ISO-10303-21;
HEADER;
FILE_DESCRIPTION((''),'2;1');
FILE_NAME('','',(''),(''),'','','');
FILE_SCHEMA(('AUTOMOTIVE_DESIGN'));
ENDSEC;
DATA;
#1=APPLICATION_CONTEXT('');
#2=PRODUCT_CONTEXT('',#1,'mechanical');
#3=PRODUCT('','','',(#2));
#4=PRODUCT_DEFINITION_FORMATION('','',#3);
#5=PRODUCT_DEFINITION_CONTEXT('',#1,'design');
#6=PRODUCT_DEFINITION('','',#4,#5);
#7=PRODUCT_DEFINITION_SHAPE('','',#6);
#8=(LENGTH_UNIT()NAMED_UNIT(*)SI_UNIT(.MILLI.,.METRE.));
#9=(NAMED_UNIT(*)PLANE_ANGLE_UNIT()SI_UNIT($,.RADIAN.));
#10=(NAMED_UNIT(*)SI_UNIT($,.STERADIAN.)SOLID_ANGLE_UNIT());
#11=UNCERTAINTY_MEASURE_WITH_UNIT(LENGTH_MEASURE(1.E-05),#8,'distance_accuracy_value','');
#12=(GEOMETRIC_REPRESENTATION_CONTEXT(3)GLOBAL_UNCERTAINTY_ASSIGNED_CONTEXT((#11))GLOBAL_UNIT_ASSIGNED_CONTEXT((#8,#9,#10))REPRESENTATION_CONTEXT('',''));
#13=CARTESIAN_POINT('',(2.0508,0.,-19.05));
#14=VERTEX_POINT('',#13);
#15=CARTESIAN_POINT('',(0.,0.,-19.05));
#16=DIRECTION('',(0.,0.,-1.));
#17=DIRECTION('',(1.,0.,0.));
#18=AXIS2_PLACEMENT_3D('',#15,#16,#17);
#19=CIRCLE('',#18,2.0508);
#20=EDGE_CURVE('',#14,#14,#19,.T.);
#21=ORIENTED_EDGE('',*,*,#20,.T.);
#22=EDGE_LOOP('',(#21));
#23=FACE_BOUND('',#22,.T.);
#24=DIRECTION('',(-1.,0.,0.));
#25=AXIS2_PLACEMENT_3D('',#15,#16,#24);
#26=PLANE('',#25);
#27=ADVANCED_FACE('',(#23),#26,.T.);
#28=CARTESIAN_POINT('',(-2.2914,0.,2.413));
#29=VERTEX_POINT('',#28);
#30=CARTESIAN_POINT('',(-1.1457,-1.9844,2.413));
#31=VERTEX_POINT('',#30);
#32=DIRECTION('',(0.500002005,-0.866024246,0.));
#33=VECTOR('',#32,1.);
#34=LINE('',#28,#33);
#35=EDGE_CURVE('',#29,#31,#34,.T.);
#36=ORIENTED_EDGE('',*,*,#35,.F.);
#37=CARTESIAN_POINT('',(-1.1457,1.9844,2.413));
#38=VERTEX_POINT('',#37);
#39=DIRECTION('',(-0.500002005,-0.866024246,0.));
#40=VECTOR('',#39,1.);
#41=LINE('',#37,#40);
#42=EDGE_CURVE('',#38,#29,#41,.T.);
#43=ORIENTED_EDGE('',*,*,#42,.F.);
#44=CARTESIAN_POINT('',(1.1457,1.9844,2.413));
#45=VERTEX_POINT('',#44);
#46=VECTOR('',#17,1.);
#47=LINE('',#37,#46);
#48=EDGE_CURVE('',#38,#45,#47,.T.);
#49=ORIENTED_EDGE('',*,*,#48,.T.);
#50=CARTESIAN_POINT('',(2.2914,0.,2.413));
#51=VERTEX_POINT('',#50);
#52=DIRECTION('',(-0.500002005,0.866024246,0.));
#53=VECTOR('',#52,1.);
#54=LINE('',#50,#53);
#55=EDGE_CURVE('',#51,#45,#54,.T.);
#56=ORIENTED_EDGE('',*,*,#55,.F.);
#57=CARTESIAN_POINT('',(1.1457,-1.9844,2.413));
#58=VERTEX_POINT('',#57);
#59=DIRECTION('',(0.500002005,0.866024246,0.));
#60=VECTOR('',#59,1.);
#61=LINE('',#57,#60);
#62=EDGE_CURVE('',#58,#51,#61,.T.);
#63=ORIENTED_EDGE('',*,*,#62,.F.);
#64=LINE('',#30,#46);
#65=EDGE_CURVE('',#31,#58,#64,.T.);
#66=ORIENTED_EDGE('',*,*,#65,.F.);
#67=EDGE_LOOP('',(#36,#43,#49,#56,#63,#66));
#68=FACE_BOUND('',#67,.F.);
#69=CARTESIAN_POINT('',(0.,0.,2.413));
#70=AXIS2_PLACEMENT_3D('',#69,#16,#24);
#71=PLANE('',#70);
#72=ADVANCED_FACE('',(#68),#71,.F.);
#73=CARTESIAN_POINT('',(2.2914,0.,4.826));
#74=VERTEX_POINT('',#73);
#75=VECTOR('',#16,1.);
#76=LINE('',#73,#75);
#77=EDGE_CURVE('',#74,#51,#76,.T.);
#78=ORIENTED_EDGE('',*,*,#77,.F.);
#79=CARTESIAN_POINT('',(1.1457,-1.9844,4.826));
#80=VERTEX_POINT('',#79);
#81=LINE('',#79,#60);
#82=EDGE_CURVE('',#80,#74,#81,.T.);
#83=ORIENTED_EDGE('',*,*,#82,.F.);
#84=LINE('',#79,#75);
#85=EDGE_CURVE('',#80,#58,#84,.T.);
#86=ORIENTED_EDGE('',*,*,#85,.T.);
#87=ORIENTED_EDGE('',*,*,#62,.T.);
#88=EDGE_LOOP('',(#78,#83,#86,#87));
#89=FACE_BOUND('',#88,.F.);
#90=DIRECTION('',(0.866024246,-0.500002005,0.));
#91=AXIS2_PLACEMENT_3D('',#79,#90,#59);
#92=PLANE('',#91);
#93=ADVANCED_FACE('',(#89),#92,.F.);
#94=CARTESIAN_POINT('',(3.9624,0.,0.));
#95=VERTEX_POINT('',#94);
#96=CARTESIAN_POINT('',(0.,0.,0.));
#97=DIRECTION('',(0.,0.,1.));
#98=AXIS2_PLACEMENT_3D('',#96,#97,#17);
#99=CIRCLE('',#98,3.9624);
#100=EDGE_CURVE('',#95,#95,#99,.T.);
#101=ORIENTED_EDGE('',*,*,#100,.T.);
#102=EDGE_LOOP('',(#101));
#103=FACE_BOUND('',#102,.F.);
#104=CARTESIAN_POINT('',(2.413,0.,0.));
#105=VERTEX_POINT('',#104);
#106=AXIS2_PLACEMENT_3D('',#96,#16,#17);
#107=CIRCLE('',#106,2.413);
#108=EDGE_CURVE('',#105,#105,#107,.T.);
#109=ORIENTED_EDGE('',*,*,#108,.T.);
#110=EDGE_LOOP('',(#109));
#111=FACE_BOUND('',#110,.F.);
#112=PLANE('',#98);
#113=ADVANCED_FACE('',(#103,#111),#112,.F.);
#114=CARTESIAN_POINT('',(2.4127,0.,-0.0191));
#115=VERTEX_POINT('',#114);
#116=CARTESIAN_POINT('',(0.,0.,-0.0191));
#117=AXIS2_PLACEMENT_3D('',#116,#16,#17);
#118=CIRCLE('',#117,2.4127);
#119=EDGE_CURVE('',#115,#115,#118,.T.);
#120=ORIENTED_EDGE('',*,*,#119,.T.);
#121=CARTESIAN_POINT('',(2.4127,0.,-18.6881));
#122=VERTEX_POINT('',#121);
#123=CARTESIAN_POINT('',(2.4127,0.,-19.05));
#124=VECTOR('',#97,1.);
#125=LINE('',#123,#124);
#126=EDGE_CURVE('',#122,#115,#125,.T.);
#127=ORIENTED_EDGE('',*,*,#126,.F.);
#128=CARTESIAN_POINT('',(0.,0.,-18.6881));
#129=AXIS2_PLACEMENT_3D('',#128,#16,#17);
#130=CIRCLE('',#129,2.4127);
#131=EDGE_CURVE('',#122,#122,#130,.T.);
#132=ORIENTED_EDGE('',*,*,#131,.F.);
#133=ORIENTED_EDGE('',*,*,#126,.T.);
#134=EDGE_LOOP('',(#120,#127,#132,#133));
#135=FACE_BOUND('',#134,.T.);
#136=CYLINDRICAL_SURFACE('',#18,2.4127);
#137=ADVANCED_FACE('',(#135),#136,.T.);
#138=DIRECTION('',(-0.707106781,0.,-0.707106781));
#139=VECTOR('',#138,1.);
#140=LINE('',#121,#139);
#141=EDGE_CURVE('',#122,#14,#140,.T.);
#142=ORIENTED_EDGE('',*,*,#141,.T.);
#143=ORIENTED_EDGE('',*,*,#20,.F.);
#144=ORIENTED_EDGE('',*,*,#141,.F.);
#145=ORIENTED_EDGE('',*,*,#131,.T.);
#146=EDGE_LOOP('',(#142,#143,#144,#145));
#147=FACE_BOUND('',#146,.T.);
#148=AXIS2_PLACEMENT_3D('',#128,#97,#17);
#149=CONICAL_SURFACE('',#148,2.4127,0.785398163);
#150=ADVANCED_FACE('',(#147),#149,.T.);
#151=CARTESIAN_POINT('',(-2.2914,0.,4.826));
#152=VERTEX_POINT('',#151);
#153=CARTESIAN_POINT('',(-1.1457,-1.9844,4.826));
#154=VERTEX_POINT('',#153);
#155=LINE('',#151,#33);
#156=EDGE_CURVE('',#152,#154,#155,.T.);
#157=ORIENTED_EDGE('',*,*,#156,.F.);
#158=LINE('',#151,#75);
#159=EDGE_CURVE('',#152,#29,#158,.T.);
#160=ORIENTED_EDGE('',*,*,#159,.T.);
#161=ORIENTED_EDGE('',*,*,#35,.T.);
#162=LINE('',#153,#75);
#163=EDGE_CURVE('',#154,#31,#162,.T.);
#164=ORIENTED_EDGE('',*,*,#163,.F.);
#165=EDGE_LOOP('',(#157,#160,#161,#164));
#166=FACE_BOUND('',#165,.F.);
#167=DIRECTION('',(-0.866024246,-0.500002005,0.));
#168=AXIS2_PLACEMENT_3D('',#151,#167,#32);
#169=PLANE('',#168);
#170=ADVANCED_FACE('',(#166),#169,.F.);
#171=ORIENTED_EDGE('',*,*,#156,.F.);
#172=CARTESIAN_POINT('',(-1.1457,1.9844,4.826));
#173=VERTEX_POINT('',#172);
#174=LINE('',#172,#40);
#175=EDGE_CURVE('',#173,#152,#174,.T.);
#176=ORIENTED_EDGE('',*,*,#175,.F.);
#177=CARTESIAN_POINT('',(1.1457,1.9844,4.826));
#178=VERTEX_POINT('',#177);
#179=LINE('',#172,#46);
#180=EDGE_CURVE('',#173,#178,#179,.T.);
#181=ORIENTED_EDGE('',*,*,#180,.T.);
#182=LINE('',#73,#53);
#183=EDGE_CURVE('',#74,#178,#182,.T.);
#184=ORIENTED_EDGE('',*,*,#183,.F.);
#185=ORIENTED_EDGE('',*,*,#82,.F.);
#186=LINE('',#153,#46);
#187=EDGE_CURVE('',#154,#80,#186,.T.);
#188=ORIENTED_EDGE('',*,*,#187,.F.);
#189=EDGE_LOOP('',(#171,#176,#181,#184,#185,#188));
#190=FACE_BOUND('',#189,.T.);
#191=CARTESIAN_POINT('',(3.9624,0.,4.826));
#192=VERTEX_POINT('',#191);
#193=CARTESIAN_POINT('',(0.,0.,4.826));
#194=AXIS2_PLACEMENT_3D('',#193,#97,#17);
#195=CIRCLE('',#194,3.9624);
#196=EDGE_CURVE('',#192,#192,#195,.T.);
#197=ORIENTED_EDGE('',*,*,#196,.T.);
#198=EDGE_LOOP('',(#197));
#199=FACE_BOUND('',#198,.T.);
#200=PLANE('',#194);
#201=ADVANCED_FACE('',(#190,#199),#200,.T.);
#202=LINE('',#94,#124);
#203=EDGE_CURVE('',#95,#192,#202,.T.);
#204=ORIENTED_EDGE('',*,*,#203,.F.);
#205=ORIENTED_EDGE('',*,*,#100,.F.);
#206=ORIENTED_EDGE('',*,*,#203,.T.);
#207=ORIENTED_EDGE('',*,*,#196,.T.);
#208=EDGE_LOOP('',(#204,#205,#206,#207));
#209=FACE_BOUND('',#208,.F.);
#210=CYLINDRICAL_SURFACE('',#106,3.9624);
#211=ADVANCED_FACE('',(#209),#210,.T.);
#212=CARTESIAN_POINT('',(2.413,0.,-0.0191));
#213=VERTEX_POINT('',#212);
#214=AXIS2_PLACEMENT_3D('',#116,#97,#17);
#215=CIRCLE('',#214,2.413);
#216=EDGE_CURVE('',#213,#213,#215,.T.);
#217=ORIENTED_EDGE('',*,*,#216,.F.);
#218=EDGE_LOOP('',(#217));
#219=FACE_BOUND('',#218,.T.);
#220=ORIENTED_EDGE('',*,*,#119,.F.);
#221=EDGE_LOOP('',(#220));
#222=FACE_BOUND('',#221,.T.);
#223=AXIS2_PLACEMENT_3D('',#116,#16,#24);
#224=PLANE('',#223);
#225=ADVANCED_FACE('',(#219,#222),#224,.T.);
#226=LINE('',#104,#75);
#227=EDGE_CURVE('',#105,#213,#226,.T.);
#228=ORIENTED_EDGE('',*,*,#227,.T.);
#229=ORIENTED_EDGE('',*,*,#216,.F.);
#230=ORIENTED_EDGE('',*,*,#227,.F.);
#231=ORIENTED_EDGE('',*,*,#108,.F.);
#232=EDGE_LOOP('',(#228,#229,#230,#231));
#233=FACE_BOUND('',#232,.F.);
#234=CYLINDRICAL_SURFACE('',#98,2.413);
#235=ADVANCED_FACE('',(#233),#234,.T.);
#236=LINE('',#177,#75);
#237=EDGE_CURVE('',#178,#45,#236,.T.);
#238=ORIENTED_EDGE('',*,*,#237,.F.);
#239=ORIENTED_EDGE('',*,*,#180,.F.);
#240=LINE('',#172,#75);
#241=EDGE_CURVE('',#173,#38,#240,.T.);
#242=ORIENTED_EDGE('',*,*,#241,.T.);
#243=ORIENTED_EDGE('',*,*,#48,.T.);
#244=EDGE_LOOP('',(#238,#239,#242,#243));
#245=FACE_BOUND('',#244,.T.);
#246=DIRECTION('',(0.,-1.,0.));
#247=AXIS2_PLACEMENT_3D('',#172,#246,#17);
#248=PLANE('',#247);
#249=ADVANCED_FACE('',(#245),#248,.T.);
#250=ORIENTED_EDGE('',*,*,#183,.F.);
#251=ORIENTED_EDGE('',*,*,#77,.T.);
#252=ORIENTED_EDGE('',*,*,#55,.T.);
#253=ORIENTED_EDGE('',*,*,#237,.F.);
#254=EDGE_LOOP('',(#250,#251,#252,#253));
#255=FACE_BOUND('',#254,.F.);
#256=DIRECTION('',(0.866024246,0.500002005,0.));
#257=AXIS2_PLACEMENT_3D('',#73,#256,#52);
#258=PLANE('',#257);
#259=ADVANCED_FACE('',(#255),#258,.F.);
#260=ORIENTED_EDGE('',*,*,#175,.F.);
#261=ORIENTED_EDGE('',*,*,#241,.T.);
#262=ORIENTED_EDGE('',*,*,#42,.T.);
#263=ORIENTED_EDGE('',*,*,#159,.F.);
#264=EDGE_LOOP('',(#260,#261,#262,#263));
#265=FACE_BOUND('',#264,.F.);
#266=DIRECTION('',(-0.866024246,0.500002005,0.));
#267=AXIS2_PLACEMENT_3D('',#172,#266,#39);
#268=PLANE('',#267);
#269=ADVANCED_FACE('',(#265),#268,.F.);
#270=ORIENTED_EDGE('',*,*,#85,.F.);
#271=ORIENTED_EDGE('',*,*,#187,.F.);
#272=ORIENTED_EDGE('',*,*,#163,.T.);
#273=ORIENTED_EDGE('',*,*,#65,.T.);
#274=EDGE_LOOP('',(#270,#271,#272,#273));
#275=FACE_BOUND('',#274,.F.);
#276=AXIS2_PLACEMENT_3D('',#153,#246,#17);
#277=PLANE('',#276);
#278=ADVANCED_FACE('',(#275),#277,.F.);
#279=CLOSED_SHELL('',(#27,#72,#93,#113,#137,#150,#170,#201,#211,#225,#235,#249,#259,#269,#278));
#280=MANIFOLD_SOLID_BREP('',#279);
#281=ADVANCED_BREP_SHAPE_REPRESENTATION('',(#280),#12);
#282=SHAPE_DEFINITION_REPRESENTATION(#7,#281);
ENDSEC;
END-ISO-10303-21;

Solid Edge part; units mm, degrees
sketch "Sketch1" plane through (0, 0, 0) normal (0, 0, 1) x (1, 0, 0)
  circle A0 centre (0, 0) radius 3.9624
  dimension "D1" = 7.9248
extrude "Protrusion1" add sketch "Sketch1" along normal blind 4.826
sketch "Sketch2" plane through (0, 0, 0) normal (0, 0, -1) x (1, 0, 0)
  circle A0 centre (0, 0) radius 2.413
extrude "Protrusion2" add sketch "Sketch2" along normal blind 19.05
sketch "Sketch3" plane through (0, 0, -19.05) normal (0, 0, -1) x (1, 0, 0)
  circle A0 centre (0, 0) radius 2.4127
extrude "Cutout1" cut sketch "Sketch3" against normal blind 19.0309 flip side to cut
chamfer "Chamfer_1" distance 0.3619 angle 45 1 edges at (-2.4127, 0, -19.05)
sketch "Sketch4" plane through (0, 0, 4.826) normal (0, 0, 1) x (1, 0, 0)
  line L0 (-1.1457, 1.9844) -> (1.1457, 1.9844)
  line L1 (2.2914, 0) -> (1.1457, 1.9844)
  line L2 (1.1457, -1.9844) -> (2.2914, 0)
  line L3 (-1.1457, -1.9844) -> (1.1457, -1.9844)
  line L4 (-2.2914, 0) -> (-1.1457, -1.9844)
  line L5 (-1.1457, 1.9844) -> (-2.2914, 0)
  dimension "D1" = 3.9688
extrude "Cutout2" cut sketch "Sketch4" against normal blind 2.413
properties part number "144435"
